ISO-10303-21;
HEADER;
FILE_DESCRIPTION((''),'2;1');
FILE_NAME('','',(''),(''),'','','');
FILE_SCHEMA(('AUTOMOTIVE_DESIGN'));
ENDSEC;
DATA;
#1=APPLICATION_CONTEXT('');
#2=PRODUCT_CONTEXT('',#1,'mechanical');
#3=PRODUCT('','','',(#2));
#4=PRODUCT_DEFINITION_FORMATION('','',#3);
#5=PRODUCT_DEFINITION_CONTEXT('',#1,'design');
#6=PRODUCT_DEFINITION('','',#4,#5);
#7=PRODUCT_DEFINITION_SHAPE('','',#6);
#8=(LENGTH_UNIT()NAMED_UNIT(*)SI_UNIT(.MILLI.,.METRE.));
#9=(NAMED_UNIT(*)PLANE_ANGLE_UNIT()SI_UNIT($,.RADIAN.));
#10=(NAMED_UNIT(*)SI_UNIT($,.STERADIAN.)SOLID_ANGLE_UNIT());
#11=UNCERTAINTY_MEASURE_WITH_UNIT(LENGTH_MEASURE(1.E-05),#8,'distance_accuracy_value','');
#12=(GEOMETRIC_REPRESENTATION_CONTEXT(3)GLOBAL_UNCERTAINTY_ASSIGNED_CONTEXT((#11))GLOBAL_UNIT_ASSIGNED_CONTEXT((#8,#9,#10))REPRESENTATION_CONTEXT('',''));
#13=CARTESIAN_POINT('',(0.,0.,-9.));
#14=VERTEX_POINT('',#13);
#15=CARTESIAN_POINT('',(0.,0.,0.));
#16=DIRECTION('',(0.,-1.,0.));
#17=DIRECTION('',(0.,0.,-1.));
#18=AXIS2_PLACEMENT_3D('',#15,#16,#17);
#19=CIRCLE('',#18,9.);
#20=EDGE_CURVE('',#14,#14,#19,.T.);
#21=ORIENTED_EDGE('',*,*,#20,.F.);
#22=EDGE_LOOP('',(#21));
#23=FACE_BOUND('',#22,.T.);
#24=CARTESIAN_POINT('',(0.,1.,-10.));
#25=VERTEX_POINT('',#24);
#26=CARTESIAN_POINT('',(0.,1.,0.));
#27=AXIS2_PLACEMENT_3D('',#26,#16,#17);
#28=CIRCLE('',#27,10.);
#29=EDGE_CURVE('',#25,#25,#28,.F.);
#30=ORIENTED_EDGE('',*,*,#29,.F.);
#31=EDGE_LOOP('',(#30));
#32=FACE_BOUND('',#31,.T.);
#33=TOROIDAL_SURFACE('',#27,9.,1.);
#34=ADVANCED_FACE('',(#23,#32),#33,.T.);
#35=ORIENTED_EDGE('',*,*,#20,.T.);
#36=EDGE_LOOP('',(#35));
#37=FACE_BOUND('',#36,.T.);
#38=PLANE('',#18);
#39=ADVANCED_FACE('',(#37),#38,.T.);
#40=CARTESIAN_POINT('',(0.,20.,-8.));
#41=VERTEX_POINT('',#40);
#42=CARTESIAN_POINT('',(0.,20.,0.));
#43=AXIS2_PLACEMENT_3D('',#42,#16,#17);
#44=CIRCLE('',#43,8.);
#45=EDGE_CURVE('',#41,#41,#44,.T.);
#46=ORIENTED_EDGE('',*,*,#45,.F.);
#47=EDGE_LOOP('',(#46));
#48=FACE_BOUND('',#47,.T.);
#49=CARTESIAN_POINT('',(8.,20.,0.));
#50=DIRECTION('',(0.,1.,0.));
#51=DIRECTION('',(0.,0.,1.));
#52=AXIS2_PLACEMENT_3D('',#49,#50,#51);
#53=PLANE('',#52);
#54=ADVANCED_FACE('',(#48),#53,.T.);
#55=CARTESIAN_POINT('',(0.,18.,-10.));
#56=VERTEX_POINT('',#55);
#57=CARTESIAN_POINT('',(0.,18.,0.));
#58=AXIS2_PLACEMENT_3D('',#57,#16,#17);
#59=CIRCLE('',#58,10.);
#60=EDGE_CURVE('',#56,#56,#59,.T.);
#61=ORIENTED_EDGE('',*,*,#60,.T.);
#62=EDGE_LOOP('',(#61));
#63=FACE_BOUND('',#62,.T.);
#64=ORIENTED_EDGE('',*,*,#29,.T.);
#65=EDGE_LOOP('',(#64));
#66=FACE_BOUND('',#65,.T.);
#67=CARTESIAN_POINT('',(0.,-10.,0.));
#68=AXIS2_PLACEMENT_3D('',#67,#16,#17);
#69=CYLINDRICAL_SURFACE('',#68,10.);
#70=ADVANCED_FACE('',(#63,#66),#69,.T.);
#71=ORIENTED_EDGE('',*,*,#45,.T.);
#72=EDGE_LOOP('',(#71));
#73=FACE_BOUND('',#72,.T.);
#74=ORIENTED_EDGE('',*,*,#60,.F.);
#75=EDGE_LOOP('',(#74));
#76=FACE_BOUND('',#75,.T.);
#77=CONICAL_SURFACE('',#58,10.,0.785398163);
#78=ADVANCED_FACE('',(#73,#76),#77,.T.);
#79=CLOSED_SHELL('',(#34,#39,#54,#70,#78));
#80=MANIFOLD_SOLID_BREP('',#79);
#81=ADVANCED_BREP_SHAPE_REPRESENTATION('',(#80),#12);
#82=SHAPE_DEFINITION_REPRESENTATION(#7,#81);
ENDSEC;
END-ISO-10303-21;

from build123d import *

# Parameters (mm, degrees)
FEATURE_ROUND_R = 1


with BuildPart() as part:
    # sketch:profile → feature:turned (revolve)
    with BuildSketch(Plane.XY, mode=Mode.PRIVATE) as feature_turned_sk:
        Polygon((0, 0), (10, 0), (10, 18), (8, 20), (0, 20), align=None)
    revolve(feature_turned_sk.sketch.rotate(Axis((0, -10, 0), (0, 1, 0)), 90), axis=Axis((0, -10, 0), (0, 1, 0)))

    # feature:round
    feature_round_edges = [part.edges().sort_by_distance(p)[0] for p in [
        (0, 0, 10),
    ]]
    fillet(feature_round_edges, radius=FEATURE_ROUND_R)


solid = part.part
